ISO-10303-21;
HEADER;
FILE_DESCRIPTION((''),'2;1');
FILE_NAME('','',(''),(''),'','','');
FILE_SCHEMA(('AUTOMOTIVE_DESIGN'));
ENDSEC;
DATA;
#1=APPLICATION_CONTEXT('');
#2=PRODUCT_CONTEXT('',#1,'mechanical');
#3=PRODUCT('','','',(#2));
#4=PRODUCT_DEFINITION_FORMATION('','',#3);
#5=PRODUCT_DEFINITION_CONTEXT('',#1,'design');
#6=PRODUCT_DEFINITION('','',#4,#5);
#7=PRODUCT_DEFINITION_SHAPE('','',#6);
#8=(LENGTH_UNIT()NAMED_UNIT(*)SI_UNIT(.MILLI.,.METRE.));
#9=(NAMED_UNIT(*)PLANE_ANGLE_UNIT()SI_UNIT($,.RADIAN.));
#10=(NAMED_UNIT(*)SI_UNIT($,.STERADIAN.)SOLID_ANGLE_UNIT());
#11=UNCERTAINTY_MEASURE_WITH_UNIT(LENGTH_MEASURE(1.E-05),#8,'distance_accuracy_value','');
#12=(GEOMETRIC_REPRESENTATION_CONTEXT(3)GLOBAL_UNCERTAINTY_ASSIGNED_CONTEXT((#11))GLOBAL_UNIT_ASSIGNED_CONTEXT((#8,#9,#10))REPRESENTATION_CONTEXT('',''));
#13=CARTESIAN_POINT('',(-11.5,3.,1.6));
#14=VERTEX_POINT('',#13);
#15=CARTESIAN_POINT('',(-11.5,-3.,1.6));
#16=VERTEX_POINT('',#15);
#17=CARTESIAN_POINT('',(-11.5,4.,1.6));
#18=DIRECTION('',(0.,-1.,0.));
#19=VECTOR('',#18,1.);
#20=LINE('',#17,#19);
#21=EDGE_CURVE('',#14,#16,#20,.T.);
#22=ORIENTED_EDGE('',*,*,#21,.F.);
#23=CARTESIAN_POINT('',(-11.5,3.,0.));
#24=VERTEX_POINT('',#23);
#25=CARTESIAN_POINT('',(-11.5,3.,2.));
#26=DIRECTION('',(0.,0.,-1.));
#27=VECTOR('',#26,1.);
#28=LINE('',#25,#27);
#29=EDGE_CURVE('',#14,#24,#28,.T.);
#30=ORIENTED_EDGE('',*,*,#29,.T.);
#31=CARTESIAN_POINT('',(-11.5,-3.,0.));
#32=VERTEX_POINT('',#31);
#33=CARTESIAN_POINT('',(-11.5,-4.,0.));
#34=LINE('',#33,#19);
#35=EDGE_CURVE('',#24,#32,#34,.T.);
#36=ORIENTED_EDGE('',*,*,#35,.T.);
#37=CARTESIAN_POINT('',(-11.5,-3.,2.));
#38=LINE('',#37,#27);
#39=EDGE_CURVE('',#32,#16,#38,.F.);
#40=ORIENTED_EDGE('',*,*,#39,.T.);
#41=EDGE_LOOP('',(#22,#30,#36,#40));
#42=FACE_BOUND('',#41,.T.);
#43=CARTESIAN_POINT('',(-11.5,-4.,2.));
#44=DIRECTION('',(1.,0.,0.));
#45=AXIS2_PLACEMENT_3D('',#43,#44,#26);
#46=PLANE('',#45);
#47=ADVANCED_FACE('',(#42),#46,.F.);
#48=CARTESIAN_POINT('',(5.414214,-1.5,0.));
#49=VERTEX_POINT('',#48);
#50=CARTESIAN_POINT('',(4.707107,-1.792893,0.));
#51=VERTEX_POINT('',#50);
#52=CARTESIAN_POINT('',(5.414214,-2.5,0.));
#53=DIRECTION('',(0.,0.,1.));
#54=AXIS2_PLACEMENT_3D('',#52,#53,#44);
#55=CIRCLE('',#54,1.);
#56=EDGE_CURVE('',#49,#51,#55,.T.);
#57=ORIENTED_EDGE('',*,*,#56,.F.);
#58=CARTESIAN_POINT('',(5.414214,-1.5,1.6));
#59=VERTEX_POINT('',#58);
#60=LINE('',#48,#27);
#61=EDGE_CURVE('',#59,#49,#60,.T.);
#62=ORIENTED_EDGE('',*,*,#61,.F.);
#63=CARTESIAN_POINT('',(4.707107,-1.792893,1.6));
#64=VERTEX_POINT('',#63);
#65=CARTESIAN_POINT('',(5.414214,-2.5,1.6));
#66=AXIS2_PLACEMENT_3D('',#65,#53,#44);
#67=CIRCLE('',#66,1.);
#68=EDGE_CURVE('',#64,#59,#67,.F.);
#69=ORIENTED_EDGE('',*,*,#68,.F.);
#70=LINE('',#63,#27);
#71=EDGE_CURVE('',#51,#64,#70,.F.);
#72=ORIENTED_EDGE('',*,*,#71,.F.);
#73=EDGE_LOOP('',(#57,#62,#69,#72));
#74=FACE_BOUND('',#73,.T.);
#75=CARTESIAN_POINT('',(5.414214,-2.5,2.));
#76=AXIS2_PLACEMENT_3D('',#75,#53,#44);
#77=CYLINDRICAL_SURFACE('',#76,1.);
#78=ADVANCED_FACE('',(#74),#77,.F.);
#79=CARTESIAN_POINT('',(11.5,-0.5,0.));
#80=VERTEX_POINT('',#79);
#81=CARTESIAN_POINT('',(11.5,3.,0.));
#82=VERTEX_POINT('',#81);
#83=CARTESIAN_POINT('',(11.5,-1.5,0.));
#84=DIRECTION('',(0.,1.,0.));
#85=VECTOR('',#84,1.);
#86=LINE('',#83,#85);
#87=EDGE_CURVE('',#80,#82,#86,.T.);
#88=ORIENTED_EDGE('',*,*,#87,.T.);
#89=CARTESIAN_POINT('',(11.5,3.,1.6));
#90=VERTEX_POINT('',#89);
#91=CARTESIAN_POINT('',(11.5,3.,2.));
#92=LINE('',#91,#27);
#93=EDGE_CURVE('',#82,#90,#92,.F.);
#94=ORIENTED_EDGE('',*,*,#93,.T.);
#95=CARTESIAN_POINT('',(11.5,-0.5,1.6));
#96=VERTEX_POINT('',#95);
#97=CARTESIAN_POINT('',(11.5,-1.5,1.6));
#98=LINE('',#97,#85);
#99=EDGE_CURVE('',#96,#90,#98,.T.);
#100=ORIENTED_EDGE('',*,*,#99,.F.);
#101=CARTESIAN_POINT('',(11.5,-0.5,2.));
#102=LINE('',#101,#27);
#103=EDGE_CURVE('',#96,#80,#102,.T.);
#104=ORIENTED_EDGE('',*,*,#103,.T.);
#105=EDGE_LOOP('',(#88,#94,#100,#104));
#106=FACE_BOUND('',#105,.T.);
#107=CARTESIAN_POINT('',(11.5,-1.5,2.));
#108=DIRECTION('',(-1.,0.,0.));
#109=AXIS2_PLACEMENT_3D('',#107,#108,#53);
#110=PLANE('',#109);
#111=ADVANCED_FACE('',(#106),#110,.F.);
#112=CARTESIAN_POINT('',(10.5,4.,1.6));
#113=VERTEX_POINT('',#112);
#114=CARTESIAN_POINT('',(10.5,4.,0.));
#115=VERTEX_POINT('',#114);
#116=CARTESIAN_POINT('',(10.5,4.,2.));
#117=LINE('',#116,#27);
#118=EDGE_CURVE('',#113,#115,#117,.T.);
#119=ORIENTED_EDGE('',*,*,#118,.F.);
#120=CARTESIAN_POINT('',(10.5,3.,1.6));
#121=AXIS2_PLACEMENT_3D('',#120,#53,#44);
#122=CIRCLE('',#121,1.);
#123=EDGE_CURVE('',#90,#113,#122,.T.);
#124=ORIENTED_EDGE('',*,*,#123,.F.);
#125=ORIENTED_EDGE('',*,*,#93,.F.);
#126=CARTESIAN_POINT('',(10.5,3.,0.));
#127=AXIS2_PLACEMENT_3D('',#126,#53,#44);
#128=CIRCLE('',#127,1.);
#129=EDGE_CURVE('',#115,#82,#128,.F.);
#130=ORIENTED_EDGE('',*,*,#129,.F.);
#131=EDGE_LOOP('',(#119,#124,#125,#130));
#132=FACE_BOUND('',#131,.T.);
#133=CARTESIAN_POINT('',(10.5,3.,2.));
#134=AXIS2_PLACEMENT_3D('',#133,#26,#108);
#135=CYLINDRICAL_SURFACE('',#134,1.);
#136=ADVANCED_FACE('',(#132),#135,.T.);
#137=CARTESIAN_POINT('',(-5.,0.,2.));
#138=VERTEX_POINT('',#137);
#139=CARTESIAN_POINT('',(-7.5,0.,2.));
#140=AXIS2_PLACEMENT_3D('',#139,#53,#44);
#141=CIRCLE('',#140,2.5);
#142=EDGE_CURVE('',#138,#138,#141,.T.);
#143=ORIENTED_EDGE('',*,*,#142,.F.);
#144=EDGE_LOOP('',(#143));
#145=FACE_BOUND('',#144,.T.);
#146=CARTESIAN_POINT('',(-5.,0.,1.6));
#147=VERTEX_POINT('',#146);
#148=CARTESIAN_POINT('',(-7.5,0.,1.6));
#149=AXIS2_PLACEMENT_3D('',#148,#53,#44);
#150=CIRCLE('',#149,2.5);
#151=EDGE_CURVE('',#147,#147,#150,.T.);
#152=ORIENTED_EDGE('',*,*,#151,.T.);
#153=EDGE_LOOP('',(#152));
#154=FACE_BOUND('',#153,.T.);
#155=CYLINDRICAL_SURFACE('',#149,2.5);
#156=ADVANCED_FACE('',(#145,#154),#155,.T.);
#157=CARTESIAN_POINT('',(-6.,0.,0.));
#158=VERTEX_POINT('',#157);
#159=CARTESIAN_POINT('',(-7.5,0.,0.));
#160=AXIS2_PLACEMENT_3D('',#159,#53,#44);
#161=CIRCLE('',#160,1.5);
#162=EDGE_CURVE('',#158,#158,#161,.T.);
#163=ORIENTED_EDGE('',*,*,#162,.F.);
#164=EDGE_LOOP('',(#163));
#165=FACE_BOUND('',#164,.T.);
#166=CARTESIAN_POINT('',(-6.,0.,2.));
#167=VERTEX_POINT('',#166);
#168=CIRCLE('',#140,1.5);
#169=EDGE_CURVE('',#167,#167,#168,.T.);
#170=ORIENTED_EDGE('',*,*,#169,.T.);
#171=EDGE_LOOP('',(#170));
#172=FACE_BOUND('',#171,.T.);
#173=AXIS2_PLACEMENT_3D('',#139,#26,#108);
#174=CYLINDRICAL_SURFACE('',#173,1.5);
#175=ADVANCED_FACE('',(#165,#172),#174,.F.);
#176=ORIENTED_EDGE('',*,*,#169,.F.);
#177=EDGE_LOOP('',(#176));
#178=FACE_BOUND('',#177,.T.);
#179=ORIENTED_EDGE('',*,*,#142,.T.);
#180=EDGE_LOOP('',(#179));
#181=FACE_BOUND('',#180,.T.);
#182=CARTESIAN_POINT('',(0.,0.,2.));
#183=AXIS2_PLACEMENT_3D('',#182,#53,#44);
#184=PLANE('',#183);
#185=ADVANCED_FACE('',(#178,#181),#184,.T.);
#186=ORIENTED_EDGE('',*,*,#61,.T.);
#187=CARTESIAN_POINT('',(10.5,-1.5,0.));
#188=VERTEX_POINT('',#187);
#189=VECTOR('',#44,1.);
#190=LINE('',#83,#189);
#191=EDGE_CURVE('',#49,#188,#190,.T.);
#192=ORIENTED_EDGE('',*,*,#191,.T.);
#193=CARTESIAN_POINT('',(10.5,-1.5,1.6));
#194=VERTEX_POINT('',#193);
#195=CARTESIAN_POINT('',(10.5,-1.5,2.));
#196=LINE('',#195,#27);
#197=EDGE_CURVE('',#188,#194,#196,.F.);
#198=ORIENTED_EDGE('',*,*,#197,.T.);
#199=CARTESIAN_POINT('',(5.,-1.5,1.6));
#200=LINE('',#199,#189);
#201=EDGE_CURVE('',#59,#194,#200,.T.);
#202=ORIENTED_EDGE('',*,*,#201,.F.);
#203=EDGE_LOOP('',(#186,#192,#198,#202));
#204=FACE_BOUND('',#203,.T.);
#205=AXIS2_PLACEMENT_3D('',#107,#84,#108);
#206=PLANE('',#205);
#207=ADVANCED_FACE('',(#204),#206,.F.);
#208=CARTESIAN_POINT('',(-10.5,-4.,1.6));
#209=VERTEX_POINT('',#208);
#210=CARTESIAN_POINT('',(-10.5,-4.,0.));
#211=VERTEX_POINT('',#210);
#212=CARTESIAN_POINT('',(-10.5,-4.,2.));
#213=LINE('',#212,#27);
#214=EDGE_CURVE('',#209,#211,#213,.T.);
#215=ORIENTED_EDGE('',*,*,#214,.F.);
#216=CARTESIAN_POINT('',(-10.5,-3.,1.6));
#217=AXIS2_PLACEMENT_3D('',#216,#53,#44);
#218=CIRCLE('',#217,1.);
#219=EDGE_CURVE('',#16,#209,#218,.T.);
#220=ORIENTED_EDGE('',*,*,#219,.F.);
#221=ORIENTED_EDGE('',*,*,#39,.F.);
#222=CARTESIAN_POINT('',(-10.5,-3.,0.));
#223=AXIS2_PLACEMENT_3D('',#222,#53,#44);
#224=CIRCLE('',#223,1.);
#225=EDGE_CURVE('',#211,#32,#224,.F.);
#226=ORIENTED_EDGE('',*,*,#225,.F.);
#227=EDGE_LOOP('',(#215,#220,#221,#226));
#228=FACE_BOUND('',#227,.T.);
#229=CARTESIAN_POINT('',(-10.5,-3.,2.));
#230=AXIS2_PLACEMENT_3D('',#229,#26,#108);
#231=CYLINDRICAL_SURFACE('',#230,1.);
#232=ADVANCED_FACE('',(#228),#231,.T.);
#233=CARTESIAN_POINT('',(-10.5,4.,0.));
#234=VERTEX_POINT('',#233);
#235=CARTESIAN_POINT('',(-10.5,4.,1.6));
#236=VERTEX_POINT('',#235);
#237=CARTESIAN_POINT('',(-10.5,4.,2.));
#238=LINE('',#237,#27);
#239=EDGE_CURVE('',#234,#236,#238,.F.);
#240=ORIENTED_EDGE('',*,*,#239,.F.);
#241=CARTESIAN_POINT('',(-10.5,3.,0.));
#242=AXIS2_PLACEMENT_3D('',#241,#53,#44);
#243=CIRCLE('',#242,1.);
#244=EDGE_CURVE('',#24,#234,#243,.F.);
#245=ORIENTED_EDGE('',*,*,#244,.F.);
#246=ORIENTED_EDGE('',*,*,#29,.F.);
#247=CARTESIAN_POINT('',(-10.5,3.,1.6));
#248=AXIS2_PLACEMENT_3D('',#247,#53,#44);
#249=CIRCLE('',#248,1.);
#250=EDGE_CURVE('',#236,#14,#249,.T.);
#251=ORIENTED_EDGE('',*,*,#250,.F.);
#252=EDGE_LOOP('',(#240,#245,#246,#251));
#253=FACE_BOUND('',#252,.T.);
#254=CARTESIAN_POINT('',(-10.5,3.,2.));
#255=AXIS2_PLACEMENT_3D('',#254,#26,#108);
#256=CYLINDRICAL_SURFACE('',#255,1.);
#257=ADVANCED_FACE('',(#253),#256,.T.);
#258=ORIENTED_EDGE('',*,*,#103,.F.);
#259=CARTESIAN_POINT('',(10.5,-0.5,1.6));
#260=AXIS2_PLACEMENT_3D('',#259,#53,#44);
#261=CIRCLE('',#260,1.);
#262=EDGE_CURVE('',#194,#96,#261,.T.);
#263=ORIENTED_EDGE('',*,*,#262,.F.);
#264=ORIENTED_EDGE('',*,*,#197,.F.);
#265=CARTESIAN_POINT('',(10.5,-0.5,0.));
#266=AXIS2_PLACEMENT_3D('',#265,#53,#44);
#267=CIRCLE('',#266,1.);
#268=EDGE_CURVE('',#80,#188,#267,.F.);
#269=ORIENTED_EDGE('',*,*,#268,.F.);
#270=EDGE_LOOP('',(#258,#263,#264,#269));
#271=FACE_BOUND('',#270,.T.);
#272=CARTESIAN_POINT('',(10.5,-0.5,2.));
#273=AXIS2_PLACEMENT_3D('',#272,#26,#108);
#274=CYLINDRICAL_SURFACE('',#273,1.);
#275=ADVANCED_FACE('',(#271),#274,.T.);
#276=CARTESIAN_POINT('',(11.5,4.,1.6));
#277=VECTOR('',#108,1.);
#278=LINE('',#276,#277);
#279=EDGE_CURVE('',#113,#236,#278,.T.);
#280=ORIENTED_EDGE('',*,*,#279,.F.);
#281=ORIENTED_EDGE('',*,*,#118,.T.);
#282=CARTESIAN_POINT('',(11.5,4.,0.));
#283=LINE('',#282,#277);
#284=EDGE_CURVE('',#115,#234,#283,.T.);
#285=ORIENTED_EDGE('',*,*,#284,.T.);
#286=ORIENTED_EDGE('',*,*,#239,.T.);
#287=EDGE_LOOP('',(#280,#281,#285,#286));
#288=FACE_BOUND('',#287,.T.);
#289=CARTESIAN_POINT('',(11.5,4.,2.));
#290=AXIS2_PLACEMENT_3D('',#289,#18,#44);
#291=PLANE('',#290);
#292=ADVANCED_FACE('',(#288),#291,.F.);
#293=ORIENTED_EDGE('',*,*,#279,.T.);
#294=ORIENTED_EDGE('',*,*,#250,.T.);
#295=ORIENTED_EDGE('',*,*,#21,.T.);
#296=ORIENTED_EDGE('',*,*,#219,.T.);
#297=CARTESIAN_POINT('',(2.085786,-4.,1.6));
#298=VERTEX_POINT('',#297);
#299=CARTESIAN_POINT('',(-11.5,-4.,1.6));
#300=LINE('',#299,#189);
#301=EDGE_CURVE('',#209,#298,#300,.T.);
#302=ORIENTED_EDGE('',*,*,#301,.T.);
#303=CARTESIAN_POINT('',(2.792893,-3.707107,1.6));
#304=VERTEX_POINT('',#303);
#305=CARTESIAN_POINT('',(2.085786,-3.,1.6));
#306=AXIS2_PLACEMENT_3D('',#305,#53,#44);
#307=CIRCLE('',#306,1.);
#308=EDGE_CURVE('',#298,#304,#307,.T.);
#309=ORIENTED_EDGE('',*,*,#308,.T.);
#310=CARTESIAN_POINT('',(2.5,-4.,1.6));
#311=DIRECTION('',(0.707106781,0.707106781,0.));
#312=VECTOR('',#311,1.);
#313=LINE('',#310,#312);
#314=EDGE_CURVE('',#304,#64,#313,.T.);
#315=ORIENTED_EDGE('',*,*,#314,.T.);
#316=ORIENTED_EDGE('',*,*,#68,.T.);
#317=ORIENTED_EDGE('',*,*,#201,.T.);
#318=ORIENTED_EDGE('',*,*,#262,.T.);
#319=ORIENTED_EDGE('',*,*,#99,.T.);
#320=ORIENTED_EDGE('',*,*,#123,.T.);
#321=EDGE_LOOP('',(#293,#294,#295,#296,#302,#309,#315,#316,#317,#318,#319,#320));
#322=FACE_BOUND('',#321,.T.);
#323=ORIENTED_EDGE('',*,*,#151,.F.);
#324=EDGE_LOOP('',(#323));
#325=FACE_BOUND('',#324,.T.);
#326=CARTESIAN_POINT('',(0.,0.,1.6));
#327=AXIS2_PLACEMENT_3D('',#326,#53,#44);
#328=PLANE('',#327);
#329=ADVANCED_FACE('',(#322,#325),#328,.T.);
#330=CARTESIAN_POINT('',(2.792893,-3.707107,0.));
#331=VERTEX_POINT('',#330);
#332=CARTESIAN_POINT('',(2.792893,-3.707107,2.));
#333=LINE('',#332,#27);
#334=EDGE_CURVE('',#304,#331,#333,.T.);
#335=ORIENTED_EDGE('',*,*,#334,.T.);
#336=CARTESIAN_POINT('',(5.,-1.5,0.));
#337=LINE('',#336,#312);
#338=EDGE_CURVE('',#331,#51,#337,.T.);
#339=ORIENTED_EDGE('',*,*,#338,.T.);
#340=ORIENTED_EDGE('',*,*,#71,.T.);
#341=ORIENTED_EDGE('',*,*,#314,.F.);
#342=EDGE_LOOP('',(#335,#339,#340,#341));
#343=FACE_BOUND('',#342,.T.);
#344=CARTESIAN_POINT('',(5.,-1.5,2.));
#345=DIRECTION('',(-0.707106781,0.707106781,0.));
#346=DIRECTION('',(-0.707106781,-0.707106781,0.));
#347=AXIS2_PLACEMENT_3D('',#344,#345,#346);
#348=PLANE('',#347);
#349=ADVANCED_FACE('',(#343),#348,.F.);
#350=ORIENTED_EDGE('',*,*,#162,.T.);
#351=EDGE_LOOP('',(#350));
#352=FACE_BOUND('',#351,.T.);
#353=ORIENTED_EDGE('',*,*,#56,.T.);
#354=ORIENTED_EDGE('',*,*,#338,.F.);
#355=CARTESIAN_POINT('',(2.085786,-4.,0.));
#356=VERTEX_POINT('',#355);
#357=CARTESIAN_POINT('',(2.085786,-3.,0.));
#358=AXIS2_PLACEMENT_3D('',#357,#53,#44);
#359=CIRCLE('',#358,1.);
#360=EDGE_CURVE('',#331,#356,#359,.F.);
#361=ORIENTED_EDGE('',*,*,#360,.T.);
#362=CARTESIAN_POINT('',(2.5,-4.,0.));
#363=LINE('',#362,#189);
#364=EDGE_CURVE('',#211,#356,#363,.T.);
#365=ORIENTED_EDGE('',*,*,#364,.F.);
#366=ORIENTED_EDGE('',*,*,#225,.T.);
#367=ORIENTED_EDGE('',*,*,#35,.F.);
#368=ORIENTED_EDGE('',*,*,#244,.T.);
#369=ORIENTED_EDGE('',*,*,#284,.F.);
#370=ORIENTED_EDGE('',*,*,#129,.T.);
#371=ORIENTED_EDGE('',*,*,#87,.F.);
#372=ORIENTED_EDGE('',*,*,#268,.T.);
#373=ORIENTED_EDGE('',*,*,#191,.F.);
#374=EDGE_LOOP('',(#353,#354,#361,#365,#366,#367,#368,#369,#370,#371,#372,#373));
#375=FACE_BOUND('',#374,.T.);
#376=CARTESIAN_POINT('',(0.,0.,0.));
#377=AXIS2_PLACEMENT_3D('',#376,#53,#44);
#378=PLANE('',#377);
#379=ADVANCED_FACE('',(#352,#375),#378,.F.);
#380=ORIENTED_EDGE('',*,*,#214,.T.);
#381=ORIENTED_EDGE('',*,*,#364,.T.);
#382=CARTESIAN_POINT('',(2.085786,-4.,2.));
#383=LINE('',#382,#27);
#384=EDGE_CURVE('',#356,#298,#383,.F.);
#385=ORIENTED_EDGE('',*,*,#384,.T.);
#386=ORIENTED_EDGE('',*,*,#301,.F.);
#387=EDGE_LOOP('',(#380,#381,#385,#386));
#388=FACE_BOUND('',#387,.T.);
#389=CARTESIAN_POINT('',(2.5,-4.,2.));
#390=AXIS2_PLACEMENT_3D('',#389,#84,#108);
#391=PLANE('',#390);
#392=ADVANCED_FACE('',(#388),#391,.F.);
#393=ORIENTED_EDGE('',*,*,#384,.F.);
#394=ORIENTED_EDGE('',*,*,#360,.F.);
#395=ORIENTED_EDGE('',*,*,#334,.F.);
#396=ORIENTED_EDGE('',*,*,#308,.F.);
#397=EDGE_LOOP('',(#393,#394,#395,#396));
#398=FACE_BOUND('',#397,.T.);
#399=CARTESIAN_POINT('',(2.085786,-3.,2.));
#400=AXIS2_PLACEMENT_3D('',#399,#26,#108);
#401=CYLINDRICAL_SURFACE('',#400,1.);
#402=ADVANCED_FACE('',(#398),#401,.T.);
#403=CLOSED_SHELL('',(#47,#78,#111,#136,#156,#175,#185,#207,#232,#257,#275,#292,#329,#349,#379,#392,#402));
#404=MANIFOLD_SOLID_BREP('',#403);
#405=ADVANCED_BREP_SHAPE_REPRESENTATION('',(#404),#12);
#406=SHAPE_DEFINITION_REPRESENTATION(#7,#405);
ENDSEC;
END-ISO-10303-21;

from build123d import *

# Parameters (mm, degrees)
SKETCH1_R           = 1.5
BOSS_EXTRUDE1_DEPTH = 2
SKETCH2_R           = 2.5
CUT_EXTRUDE1_DEPTH  = 0.4
FILLET1_R           = 1


with BuildPart() as part:
    # Sketch1 → Boss-Extrude1 (new body)
    with BuildSketch(Plane.XY):
        Polygon((11.5, -1.5), (5, -1.5), (2.5, -4), (-11.5, -4), (-11.5, 4), (11.5, 4), align=None)
        with Locations((-7.5, 0)):
            Circle(SKETCH1_R, mode=Mode.SUBTRACT)
    extrude(amount=BOSS_EXTRUDE1_DEPTH)

    # Sketch2 → Cut-Extrude1 (cut)
    with BuildSketch(Plane.XY.offset(2)):
        Polygon((-11.5, 4), (-11.5, -4), (2.5, -4), (5, -1.5), (11.5, -1.5), (11.5, 4), align=None)
        with Locations((-7.5, 0)):
            Circle(SKETCH2_R, mode=Mode.SUBTRACT)
    extrude(amount=-CUT_EXTRUDE1_DEPTH, mode=Mode.SUBTRACT)

    # Fillet1
    fillet1_edges = [part.edges().sort_by_distance(p)[0] for p in [
        (-11.5, 4, 0.8),
        (11.5, 4, 0.8),
        (11.5, -1.5, 0.8),
        (5, -1.5, 0.8),
        (2.5, -4, 0.8),
        (-11.5, -4, 0.8),
    ]]
    fillet(fillet1_edges, radius=FILLET1_R)


solid = part.part
